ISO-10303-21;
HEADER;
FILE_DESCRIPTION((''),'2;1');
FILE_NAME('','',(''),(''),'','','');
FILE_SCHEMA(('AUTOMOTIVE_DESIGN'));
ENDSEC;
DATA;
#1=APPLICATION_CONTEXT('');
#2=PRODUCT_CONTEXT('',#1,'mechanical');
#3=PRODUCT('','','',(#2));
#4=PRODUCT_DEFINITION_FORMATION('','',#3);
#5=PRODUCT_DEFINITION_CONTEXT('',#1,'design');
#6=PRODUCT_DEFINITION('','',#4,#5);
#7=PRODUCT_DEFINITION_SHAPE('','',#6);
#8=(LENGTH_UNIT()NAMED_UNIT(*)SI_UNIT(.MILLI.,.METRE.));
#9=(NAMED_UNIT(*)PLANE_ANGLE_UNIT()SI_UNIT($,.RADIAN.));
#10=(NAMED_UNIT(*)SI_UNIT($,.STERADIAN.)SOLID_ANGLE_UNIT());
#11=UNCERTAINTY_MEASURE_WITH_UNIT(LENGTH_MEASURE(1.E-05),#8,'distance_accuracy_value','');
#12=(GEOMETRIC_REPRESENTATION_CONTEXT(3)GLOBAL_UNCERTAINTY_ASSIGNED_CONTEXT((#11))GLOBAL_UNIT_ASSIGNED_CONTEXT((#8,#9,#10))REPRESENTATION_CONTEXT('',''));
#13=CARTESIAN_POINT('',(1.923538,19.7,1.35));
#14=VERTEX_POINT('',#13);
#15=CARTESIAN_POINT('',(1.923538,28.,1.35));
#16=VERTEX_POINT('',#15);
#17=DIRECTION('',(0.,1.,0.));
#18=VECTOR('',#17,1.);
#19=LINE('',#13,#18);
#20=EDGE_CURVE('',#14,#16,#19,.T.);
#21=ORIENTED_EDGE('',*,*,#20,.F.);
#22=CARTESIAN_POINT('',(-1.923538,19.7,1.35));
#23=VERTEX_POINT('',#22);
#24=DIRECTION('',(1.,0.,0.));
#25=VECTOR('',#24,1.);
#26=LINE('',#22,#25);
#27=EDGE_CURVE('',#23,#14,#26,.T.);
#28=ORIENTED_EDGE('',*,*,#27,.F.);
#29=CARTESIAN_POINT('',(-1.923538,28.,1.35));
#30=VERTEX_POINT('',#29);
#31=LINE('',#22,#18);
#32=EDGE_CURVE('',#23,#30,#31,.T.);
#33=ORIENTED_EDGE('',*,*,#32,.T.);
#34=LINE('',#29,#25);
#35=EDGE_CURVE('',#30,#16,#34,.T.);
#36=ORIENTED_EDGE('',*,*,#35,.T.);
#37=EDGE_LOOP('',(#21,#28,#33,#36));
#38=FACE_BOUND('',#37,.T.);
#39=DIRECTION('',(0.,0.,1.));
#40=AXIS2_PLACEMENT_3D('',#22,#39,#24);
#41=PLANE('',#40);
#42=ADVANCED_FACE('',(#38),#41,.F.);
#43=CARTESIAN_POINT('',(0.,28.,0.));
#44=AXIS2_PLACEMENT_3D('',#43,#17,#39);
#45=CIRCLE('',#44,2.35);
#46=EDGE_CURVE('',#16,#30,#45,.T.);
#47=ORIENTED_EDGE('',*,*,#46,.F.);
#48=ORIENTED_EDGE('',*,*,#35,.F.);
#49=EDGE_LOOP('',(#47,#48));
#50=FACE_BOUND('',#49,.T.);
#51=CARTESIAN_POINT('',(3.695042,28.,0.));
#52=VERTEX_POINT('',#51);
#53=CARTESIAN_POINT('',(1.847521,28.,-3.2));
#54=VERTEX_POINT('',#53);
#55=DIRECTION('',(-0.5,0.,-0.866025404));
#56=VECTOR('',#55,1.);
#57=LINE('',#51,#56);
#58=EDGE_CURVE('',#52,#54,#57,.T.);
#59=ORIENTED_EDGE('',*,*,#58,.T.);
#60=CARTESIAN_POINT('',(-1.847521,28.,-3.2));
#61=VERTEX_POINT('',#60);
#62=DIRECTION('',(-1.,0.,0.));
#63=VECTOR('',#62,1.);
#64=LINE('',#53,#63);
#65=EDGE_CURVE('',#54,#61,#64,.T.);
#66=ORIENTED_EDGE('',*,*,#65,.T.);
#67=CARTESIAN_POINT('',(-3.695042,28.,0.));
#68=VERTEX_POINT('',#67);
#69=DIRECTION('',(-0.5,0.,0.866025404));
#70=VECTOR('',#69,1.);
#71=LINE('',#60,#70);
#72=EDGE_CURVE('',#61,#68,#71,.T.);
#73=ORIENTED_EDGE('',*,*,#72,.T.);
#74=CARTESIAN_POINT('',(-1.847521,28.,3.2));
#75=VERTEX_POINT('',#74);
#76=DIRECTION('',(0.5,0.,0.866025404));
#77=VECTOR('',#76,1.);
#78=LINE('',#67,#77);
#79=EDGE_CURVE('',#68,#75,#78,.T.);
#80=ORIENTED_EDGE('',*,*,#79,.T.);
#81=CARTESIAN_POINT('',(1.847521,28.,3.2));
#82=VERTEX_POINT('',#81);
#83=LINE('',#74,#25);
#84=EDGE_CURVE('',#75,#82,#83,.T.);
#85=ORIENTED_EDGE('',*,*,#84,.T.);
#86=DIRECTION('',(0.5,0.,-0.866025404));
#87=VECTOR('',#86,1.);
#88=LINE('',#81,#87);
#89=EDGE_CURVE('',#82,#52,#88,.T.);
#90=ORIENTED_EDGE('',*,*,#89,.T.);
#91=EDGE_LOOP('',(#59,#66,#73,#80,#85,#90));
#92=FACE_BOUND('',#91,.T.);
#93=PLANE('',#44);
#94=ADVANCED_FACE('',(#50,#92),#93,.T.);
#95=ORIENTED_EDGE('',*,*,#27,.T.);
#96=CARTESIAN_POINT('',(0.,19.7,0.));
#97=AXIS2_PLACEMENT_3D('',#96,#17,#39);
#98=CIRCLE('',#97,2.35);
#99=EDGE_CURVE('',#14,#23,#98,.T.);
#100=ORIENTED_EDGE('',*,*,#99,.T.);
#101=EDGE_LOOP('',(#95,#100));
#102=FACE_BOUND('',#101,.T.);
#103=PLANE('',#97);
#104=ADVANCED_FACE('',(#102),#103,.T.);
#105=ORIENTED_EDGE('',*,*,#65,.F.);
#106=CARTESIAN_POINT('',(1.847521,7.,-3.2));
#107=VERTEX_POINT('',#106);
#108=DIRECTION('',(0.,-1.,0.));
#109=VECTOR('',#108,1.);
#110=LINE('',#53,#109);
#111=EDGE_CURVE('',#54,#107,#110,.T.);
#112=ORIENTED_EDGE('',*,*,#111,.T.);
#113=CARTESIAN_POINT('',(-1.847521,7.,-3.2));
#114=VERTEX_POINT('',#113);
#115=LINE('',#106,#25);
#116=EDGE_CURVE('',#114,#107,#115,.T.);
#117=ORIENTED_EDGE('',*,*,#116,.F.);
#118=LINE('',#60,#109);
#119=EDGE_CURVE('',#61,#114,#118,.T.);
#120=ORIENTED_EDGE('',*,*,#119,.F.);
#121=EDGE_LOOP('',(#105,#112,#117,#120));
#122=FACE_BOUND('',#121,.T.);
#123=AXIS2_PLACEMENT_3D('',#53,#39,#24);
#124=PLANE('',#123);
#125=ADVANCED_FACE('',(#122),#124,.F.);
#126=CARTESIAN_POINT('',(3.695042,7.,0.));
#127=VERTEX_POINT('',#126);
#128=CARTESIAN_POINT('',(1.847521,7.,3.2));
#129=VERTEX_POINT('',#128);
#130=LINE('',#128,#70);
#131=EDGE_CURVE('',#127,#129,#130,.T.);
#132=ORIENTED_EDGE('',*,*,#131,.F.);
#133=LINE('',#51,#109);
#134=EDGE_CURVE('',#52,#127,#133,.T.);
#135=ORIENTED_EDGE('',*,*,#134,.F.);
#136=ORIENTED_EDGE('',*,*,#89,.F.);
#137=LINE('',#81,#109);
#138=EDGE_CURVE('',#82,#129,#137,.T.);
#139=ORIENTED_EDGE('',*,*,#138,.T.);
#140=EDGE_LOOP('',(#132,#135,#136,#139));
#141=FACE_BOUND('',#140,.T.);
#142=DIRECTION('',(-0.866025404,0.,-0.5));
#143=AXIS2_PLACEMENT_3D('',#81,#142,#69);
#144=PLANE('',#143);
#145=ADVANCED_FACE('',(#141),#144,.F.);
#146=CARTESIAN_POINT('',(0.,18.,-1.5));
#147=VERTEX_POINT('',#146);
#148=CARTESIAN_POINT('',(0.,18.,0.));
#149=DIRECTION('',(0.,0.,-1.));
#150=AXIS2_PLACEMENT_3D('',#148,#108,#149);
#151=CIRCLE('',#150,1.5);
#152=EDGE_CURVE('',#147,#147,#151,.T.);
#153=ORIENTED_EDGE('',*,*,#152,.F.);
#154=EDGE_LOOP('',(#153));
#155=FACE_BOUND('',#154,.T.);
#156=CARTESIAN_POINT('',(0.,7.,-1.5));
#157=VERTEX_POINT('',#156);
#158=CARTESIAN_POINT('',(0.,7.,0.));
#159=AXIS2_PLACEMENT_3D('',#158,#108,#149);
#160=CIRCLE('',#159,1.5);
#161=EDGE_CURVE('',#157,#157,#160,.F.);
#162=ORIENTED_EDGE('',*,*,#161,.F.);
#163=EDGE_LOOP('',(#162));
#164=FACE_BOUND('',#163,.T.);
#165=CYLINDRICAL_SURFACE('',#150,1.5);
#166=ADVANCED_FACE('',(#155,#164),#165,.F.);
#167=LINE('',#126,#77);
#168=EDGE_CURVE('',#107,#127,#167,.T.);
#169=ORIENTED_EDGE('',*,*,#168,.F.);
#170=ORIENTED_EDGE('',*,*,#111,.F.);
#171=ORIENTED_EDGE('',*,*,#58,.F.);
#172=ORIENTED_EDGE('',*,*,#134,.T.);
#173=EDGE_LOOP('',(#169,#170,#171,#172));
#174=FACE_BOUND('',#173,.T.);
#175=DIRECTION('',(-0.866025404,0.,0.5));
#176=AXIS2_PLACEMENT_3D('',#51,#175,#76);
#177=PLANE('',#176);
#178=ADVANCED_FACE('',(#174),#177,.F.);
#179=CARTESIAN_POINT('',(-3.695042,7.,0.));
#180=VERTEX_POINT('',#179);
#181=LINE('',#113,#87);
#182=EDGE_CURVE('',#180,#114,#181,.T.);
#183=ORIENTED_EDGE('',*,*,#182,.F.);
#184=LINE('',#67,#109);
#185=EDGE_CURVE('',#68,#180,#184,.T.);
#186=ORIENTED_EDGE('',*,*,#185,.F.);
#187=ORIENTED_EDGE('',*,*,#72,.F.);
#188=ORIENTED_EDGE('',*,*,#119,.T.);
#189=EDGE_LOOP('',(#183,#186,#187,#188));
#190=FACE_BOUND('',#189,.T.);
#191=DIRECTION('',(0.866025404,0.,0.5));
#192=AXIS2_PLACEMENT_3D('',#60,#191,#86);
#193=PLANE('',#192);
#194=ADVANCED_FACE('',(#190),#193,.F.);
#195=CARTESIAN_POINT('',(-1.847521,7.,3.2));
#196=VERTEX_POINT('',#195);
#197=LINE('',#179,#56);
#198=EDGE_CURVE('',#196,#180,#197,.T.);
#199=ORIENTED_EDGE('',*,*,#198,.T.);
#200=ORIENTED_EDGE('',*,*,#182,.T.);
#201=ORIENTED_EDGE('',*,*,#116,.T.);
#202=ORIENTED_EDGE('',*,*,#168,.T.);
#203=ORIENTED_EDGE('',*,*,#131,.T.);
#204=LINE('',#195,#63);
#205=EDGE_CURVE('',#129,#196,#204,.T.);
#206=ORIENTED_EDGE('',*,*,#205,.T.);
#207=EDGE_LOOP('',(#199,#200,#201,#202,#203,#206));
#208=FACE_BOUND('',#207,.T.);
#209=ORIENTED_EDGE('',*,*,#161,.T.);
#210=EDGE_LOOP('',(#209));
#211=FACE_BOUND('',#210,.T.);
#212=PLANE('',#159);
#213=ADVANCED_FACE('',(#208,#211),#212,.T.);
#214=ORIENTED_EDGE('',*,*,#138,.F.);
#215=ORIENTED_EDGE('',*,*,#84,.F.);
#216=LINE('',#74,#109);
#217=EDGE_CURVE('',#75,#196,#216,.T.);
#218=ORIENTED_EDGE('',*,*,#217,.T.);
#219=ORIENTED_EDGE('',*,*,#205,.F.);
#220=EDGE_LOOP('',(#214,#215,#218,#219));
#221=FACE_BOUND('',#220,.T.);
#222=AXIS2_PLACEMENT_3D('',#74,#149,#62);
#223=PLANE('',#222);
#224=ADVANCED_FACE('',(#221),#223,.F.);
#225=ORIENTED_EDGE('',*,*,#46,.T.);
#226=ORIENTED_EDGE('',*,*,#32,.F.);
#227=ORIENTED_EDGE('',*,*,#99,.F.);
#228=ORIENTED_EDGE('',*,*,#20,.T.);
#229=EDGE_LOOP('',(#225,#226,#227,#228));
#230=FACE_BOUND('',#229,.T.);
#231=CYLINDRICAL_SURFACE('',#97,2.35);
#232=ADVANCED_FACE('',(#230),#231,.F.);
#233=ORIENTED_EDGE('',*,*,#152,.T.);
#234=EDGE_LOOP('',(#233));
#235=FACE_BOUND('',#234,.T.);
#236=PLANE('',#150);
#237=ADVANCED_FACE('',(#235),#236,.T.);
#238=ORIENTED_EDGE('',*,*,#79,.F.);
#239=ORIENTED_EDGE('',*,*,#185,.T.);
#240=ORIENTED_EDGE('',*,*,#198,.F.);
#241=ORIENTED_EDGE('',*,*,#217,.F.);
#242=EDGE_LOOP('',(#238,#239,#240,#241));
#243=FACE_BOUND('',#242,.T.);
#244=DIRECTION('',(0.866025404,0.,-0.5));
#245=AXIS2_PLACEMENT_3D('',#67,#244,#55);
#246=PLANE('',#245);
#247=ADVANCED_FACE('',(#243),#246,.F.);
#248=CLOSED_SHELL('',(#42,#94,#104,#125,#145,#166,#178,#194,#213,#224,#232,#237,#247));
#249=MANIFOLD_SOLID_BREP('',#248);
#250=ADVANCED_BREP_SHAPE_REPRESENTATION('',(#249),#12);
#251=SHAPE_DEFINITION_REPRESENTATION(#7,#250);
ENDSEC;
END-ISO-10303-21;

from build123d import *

# Parameters (mm, degrees)
SALIENTE_EXTRUIR1_DEPTH = 28
CORTAR_EXTRUIR1_DEPTH   = 8.3
CROQUIS3_R              = 1.5
CORTAR_EXTRUIR2_DEPTH   = 18
CROQUIS4_R              = 4
CORTAR_EXTRUIR3_DEPTH   = 7


with BuildPart() as part:
    # Croquis1 → Saliente-Extruir1 (new body)
    with BuildSketch(Plane(origin=(0, 0, 0), x_dir=(1, 0, 0), z_dir=(0, 1, 0))):
        Polygon((3.695041723, 0), (1.847520861, 3.2), (-1.847520861, 3.2), (-3.695041723, 0), (-1.847520861, -3.2), (1.847520861, -3.2), align=None)
    extrude(amount=SALIENTE_EXTRUIR1_DEPTH)

    # Croquis2 → Cortar-Extruir1 (cut)
    with BuildSketch(Plane(origin=(0, 28, 0), x_dir=(1, 0, 0), z_dir=(0, 1, 0))):
        with BuildLine():
            Line((-1.923538406, -1.35), (1.923538406, -1.35))
            ThreePointArc((1.923538406, -1.35), (0, 2.35), (-1.923538406, -1.35))
        make_face()
    extrude(amount=-CORTAR_EXTRUIR1_DEPTH, mode=Mode.SUBTRACT)

    # Croquis3 → Cortar-Extruir2 (cut)
    with BuildSketch(Plane(origin=(0, 0, 0), x_dir=(-1, 0, 0), z_dir=(0, -1, 0))):
        with Locations(Location((0, 0, 0), (0, 0, 90))):
            Circle(CROQUIS3_R)
    extrude(amount=-CORTAR_EXTRUIR2_DEPTH, mode=Mode.SUBTRACT)

    # Croquis4 → Cortar-Extruir3 (cut)
    with BuildSketch(Plane.XZ):
        Circle(CROQUIS4_R)
    extrude(amount=-CORTAR_EXTRUIR3_DEPTH, mode=Mode.SUBTRACT)


solid = part.part
